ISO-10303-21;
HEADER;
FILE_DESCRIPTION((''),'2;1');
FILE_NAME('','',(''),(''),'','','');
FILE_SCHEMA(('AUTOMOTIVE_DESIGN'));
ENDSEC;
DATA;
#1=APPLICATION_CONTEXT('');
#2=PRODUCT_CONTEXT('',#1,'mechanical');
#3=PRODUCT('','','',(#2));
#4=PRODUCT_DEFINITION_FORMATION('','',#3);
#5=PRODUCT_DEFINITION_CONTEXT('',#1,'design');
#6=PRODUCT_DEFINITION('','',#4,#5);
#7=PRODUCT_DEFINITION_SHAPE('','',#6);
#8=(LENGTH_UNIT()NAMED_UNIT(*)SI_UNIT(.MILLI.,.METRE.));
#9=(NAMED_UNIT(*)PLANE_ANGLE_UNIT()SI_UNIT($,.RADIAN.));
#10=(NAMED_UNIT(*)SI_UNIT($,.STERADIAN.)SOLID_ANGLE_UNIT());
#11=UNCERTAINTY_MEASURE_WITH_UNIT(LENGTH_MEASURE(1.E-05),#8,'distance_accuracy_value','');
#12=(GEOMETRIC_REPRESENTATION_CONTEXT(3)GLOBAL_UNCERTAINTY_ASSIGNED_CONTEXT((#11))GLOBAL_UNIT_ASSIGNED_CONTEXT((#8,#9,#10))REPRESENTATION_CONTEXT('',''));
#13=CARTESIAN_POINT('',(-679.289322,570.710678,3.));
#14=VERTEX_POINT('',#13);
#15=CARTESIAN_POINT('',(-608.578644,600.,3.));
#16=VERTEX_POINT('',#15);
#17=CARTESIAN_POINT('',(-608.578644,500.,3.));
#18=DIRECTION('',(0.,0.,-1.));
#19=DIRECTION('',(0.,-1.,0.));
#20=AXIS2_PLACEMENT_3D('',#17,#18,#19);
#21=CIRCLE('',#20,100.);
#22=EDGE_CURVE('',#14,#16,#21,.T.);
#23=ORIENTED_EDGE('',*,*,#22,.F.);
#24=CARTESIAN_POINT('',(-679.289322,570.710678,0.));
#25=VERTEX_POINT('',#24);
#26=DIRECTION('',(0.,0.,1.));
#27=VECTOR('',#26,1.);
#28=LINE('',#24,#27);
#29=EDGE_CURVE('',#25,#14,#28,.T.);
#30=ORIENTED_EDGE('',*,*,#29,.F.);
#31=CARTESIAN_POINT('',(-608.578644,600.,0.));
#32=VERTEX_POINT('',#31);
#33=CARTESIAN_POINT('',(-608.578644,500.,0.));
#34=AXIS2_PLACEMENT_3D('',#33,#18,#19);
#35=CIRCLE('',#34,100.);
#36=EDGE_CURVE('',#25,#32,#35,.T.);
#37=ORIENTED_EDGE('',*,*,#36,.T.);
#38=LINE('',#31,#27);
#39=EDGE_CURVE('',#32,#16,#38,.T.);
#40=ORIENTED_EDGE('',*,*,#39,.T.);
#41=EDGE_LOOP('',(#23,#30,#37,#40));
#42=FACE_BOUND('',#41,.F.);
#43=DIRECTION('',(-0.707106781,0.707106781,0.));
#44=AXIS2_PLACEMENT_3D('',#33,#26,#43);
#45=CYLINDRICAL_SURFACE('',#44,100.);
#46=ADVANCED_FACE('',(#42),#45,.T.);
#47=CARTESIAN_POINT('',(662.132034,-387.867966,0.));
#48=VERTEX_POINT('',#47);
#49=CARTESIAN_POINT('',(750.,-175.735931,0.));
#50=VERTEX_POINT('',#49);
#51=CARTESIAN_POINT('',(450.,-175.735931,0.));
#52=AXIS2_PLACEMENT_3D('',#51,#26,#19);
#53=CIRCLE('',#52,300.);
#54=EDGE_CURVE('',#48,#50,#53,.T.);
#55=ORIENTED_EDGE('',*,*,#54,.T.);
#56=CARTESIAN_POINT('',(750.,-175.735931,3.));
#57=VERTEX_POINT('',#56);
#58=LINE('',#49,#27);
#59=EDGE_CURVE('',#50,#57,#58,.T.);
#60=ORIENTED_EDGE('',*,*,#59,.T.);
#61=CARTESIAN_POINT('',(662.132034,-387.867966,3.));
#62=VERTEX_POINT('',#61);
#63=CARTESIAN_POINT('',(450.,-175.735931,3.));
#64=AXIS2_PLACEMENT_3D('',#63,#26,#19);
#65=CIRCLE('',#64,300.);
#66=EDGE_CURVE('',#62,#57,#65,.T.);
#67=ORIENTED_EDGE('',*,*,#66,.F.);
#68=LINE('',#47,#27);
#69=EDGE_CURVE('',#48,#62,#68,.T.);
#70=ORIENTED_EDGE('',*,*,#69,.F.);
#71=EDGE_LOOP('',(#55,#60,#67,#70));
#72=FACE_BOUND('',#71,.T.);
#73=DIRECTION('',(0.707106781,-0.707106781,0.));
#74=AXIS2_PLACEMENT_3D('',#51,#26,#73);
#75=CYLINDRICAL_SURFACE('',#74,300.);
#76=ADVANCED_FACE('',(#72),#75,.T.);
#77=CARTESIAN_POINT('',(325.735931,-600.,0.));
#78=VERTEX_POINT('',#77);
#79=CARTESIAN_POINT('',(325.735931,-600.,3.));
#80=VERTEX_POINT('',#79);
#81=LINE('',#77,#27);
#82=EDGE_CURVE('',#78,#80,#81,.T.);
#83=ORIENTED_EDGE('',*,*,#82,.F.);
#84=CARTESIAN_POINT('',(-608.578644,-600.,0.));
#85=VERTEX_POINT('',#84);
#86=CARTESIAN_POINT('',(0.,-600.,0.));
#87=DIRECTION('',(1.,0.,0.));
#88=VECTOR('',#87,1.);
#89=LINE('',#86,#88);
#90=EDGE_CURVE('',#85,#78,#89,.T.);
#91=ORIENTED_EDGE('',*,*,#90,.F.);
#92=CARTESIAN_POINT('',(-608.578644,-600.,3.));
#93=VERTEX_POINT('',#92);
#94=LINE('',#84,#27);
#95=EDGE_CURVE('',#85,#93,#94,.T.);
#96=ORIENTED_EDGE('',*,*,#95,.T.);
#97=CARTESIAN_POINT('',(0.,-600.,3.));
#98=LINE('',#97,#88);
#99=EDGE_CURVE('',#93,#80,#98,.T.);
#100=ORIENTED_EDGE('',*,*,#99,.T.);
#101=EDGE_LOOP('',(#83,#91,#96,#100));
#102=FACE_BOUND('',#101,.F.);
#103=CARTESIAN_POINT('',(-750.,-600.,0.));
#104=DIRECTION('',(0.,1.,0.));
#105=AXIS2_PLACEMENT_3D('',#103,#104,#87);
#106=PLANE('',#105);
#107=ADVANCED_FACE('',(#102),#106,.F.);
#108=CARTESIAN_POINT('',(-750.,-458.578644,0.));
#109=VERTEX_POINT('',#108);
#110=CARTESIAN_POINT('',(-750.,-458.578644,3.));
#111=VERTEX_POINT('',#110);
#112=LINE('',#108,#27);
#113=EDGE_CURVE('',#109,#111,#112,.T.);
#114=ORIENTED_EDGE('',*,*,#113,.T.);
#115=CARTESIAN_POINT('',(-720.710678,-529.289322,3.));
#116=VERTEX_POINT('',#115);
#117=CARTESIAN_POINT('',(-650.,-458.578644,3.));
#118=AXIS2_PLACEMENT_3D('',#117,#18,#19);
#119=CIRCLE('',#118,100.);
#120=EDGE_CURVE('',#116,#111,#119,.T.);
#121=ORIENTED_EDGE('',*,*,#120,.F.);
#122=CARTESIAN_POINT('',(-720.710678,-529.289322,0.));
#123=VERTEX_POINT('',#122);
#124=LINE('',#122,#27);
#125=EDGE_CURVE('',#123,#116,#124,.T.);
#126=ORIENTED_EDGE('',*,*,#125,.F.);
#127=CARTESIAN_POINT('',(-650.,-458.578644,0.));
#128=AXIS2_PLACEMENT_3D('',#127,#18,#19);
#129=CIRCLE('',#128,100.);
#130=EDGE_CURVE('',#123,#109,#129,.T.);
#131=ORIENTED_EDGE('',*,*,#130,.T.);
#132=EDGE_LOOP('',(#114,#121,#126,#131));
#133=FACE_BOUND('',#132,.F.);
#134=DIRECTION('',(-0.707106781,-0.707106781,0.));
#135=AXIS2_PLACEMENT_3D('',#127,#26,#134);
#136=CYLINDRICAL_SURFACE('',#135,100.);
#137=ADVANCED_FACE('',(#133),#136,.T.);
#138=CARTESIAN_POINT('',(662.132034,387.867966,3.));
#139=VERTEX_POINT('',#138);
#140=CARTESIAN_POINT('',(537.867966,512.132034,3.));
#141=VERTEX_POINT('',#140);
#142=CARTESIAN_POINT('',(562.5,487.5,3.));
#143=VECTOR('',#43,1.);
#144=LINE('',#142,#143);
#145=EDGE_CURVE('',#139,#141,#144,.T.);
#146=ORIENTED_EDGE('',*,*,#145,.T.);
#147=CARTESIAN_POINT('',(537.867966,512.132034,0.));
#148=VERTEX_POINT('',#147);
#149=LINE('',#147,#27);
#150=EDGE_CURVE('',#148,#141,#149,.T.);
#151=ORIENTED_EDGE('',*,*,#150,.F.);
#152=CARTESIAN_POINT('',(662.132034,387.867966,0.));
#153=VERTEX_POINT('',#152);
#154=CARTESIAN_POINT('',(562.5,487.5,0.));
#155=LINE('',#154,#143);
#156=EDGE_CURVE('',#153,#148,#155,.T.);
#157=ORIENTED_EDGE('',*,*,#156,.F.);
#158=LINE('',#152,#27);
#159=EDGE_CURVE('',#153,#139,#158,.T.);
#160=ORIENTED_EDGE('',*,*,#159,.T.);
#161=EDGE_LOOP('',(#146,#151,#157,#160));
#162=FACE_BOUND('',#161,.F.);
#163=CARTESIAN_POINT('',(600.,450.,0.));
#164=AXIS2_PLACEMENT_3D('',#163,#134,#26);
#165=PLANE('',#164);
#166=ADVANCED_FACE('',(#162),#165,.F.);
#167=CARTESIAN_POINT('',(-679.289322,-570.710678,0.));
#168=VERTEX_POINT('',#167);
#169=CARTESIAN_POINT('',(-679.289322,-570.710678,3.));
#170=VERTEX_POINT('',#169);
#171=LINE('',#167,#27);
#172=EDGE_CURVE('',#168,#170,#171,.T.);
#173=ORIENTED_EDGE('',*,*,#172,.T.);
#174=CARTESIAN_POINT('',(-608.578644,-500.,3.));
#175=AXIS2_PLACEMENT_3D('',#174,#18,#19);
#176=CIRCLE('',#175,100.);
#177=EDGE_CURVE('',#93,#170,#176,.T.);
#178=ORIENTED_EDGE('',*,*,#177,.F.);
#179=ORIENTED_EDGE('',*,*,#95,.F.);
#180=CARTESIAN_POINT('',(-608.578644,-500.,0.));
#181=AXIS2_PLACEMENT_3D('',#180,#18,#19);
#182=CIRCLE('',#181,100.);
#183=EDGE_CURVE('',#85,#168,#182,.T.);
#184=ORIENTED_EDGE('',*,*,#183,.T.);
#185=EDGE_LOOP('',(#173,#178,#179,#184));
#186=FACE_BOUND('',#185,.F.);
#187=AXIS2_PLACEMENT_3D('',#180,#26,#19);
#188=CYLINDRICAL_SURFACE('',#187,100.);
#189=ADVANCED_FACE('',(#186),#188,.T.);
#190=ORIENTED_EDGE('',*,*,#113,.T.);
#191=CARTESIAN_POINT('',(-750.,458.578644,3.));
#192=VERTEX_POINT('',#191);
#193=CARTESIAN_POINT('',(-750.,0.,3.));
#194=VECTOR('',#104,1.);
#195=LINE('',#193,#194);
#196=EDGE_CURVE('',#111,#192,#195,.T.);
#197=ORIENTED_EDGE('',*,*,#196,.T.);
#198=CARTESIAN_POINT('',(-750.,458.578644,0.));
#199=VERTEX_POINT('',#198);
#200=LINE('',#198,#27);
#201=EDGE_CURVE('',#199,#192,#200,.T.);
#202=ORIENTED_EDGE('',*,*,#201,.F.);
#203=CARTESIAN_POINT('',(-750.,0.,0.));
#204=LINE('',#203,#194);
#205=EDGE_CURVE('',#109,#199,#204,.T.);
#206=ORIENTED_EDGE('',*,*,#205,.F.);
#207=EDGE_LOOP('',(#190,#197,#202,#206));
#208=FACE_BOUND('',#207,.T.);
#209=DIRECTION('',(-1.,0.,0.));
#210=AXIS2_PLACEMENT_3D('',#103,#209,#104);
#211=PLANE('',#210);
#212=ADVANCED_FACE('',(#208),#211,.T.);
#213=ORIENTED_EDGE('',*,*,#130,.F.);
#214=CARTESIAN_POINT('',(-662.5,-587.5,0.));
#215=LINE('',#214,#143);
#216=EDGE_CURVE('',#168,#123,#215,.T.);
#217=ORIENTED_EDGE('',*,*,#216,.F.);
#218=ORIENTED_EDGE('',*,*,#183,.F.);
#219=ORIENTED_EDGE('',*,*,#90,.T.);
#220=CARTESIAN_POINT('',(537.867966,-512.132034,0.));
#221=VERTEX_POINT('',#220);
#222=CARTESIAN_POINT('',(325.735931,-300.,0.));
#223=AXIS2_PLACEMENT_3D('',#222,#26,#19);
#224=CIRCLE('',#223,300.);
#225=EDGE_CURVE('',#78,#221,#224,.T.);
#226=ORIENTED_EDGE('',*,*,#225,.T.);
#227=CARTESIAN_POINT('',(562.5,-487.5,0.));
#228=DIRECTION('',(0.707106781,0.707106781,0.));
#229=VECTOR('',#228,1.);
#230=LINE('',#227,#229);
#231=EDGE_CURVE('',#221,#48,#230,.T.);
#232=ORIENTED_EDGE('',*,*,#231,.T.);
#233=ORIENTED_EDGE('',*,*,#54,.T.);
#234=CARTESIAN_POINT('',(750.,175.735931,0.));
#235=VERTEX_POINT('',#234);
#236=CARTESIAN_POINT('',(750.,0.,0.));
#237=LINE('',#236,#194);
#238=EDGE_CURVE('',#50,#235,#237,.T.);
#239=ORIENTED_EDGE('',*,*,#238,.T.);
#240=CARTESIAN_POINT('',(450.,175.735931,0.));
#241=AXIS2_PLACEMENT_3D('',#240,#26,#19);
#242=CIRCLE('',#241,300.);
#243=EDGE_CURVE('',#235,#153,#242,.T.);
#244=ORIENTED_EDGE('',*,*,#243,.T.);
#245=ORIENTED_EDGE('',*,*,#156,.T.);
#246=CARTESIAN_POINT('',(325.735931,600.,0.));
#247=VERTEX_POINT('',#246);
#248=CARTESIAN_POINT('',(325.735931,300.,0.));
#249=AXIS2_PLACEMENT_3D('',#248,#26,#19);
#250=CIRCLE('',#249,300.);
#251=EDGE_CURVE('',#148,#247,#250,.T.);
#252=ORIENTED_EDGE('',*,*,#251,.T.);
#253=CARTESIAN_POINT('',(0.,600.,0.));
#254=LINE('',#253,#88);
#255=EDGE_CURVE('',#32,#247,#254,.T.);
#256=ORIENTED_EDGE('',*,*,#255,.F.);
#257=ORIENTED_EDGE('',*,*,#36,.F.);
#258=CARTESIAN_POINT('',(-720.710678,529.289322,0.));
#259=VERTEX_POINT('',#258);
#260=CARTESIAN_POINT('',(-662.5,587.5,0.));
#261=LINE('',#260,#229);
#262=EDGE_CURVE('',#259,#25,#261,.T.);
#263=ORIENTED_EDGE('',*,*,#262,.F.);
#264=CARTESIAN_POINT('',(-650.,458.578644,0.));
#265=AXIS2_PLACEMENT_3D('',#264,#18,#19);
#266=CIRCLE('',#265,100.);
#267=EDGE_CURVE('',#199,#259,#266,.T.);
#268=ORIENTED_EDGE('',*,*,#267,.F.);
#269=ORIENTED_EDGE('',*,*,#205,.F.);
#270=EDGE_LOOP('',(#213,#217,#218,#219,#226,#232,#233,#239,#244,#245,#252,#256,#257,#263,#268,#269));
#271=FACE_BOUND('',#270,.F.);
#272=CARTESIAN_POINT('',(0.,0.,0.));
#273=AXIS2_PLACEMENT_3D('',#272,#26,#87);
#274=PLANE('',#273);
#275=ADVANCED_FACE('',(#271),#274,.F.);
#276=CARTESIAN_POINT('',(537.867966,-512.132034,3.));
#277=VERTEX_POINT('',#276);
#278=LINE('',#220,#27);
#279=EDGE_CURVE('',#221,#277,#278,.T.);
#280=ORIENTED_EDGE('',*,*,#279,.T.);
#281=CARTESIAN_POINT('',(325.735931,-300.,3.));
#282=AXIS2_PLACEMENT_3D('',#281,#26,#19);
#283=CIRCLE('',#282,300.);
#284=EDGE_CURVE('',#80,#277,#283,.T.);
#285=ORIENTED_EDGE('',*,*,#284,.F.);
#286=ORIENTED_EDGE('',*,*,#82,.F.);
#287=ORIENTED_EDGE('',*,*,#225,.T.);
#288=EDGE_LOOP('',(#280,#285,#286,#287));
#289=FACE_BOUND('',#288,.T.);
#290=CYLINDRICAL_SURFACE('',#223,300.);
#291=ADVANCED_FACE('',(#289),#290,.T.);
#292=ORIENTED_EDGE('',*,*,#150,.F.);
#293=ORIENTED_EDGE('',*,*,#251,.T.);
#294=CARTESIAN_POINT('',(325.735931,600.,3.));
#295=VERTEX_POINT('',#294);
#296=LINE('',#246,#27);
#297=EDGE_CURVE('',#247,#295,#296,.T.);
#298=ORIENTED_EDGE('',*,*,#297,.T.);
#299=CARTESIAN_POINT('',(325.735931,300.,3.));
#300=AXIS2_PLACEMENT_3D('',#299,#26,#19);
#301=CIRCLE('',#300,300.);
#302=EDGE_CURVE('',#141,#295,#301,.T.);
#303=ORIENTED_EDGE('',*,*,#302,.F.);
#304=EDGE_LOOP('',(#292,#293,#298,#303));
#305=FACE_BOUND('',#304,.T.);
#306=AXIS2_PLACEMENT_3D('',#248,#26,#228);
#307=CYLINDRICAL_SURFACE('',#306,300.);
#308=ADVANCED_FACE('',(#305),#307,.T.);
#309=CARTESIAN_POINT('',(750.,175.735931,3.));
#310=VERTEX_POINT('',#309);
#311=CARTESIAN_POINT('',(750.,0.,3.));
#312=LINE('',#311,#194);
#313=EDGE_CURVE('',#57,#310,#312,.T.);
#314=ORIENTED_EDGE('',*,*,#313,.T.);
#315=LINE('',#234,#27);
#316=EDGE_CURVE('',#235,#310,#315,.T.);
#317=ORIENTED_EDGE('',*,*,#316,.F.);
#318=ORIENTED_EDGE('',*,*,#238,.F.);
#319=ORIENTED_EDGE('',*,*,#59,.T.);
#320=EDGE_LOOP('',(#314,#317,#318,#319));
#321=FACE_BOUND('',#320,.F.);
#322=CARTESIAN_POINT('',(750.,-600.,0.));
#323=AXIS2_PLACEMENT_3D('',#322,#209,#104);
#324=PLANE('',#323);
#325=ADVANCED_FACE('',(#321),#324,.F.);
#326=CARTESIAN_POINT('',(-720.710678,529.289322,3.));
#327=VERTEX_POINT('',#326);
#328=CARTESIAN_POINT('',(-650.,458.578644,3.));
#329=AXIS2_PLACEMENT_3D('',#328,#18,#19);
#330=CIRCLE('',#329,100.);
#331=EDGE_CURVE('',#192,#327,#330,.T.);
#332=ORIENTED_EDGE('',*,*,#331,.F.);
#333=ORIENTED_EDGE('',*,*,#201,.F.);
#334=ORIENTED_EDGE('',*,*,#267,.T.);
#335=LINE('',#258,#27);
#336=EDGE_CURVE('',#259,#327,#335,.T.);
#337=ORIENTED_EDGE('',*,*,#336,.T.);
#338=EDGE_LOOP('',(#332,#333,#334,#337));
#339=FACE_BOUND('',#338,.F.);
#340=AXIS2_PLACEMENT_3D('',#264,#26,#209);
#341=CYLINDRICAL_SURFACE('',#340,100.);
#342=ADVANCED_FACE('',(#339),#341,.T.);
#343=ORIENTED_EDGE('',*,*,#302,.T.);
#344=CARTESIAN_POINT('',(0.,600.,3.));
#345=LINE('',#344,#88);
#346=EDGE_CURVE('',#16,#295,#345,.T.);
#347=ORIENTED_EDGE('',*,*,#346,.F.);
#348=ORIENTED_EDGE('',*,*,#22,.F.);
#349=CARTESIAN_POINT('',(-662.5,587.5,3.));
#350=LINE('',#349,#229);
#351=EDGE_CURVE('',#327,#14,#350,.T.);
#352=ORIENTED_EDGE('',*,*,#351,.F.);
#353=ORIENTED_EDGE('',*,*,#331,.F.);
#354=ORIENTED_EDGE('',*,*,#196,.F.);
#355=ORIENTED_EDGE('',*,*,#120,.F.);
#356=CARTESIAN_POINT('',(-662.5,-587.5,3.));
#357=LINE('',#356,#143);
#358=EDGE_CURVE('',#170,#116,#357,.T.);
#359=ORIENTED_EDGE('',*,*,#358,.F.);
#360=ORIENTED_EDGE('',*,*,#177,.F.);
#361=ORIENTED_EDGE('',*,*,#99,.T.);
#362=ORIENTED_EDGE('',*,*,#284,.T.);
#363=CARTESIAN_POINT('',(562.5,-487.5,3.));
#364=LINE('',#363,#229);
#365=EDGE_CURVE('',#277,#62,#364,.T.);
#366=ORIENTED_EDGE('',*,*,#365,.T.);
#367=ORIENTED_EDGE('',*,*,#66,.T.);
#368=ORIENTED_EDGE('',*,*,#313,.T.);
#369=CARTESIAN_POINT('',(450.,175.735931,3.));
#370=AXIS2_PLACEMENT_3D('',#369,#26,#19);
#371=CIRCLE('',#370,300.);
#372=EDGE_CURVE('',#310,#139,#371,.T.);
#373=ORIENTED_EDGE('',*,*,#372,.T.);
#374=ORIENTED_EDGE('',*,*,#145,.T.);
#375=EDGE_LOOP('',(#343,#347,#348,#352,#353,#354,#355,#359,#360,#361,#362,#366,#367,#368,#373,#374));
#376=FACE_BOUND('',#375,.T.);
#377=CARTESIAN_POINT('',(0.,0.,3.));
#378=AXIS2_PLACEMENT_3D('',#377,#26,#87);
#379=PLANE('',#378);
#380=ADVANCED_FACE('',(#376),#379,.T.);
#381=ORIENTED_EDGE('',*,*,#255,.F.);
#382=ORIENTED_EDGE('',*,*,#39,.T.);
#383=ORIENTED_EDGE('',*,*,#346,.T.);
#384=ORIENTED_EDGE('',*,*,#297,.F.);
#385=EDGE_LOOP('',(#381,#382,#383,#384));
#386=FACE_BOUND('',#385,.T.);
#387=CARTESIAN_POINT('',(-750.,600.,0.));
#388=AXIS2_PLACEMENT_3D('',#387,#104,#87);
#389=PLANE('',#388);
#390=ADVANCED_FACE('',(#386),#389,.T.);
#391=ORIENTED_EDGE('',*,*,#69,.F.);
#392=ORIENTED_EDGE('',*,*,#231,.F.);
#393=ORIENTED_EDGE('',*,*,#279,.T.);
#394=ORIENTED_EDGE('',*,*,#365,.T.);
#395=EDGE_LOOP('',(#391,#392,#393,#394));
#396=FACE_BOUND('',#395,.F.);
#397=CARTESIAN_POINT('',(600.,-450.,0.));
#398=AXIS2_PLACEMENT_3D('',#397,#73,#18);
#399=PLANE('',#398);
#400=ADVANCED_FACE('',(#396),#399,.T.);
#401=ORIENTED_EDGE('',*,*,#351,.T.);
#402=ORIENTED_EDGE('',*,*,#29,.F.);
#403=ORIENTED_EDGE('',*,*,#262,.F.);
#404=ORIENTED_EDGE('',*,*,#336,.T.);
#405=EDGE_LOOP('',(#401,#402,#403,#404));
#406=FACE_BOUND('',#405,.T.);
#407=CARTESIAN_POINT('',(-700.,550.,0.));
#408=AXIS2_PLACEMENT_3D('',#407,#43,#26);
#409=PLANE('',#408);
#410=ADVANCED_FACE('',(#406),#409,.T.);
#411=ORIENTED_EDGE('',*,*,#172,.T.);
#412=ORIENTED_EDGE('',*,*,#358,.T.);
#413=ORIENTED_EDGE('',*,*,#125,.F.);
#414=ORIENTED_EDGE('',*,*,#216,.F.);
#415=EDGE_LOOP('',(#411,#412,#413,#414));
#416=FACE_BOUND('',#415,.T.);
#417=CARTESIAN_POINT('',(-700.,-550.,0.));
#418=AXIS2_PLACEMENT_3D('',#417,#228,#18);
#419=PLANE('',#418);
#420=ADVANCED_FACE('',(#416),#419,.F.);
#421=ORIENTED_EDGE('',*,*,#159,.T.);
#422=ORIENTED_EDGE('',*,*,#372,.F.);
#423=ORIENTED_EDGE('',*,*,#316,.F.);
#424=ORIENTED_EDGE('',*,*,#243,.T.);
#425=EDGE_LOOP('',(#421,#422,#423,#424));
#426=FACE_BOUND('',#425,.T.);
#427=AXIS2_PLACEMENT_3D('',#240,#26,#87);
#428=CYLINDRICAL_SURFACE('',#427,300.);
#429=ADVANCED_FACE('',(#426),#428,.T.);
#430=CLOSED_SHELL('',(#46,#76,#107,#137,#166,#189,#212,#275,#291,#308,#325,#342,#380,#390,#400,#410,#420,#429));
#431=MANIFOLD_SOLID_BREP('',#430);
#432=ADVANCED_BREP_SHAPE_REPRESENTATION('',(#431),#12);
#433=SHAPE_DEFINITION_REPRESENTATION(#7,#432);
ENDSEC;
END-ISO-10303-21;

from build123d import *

# Parameters (mm, degrees)
F0_W     = 1500
F0_H     = 1200
F1_DEPTH = 3
F2_SIZE  = 300
F3_SIZE  = 100
F4_R     = 300
F5_R     = 100


with BuildPart() as f1:
    # F0 (on Top) → F1 (new body)
    with BuildSketch(Plane.XY):
        Rectangle(F0_W, F0_H)
    extrude(amount=F1_DEPTH)

    # F2
    f2_edges = [f1.edges().sort_by_distance(p)[0] for p in [
        (750, -600, 1.5),
        (750, 600, 1.5),
    ]]
    chamfer(f2_edges, length=F2_SIZE)

    # F3
    f3_edges = [f1.edges().sort_by_distance(p)[0] for p in [
        (-750, -600, 1.5),
        (-750, 600, 1.5),
    ]]
    chamfer(f3_edges, length=F3_SIZE)

    # F4
    f4_edges = [f1.edges().sort_by_distance(p)[0] for p in [
        (750, -300, 1.5),
        (450, -600, 1.5),
        (750, 300, 1.5),
        (450, 600, 1.5),
    ]]
    fillet(f4_edges, radius=F4_R)

    # F5
    f5_edges = [f1.edges().sort_by_distance(p)[0] for p in [
        (-750, -500, 1.5),
        (-650, -600, 1.5),
        (-650, 600, 1.5),
        (-750, 500, 1.5),
    ]]
    fillet(f5_edges, radius=F5_R)


solid = f1.part
